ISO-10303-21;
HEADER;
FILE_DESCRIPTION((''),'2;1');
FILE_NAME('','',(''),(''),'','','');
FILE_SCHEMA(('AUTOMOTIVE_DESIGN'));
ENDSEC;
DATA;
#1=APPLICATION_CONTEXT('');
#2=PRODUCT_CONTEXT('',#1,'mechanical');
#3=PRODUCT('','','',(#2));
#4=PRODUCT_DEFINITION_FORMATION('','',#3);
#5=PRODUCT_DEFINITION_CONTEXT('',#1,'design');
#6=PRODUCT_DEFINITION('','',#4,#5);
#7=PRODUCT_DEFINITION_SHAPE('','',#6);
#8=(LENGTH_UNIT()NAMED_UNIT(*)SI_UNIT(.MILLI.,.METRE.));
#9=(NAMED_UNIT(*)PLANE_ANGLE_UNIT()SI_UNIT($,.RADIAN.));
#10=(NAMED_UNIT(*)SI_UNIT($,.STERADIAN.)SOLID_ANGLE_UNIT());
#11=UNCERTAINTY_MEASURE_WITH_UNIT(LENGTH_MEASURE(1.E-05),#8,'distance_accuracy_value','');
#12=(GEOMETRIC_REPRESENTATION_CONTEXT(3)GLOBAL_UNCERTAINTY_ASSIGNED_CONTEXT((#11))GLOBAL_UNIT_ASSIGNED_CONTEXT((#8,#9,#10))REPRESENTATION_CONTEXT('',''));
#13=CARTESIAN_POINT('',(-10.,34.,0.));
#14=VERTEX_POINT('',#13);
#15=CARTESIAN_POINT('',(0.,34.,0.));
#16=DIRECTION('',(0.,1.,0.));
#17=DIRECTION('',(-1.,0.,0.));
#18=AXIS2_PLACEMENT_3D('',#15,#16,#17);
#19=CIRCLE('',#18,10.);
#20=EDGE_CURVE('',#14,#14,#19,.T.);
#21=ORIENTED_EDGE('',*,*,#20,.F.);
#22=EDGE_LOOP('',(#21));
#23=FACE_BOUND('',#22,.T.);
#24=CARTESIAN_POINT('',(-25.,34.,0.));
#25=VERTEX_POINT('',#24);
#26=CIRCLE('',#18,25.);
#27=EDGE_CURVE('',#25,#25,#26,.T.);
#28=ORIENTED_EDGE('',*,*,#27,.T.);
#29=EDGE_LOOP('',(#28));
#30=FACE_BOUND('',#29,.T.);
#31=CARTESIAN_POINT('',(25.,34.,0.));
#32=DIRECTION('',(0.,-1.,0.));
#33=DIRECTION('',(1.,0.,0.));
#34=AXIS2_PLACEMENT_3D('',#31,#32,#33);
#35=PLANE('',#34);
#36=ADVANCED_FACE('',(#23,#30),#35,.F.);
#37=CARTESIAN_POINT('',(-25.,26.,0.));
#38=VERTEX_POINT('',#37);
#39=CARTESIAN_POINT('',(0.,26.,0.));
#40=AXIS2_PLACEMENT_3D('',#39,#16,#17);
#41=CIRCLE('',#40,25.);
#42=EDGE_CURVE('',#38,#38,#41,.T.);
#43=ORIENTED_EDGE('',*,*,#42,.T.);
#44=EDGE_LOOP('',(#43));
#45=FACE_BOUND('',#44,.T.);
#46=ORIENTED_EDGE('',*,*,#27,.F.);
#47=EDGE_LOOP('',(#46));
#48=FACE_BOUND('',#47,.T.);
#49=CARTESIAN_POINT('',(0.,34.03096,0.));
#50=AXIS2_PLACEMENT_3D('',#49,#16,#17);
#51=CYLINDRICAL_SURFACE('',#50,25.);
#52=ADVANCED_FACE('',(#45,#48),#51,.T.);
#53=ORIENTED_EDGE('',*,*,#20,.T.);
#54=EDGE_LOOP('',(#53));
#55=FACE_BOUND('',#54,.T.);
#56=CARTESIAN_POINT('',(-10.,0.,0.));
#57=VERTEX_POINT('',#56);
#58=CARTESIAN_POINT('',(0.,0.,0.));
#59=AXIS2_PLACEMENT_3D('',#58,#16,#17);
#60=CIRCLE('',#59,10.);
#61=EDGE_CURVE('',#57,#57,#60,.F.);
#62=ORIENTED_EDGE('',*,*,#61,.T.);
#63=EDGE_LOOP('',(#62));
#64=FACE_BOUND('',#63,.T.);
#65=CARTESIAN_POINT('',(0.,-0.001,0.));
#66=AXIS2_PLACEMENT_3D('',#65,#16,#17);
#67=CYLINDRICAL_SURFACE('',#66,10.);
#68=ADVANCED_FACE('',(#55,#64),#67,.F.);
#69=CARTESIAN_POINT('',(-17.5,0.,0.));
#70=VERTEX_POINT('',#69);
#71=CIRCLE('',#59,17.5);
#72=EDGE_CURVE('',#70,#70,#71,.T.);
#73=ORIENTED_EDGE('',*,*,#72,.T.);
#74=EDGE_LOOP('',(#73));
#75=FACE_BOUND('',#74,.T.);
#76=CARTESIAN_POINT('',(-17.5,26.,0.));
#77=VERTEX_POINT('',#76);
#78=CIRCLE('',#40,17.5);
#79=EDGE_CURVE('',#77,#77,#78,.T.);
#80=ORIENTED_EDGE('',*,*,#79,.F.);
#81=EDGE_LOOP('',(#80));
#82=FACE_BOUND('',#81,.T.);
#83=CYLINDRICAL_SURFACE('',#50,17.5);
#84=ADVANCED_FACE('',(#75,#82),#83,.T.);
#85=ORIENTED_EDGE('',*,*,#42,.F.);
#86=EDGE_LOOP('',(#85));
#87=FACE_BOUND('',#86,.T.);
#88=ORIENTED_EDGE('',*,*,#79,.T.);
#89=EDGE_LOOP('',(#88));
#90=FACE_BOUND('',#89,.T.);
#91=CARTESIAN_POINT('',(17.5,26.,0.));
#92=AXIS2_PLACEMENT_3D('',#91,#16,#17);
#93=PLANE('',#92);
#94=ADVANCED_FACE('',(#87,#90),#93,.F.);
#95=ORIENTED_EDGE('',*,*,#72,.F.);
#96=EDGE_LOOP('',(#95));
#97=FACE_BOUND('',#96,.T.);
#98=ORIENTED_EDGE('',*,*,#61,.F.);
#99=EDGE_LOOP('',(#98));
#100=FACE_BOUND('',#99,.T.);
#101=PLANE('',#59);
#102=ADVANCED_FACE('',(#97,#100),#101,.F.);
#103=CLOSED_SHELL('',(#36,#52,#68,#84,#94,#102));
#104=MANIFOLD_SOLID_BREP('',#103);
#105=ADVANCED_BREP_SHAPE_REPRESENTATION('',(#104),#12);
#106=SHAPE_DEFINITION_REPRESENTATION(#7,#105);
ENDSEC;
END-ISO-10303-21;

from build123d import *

# Parameters (mm, degrees)
CUT_EXTRUDE1_REACH = 36
SKETCH2_R          = 10


with BuildPart() as part:
    # Sketch1 → Revolve1 (revolve)
    with BuildSketch(Plane.XY):
        Polygon((0, 0), (17.5, 0), (17.5, 26), (25, 26), (25, 34), (0, 34), align=None)
    revolve(axis=Axis((0, 34.030960003, 0), (0, -1, 0)))

    # Sketch2 → Cut-Extrude1 (cut, up to next)
    with BuildSketch(Plane(origin=(0, 34, 0), x_dir=(1, 0, 0), z_dir=(0, 1, 0)), mode=Mode.PRIVATE) as cut_extrude1_sk1:
        Circle(SKETCH2_R)
    cut_extrude1_tool1 = extrude(cut_extrude1_sk1.sketch, amount=-CUT_EXTRUDE1_REACH, mode=Mode.PRIVATE) & part.part
    add(cut_extrude1_tool1.solids().sort_by_distance((0, 34, 0))[0], mode=Mode.SUBTRACT)


solid = part.part
